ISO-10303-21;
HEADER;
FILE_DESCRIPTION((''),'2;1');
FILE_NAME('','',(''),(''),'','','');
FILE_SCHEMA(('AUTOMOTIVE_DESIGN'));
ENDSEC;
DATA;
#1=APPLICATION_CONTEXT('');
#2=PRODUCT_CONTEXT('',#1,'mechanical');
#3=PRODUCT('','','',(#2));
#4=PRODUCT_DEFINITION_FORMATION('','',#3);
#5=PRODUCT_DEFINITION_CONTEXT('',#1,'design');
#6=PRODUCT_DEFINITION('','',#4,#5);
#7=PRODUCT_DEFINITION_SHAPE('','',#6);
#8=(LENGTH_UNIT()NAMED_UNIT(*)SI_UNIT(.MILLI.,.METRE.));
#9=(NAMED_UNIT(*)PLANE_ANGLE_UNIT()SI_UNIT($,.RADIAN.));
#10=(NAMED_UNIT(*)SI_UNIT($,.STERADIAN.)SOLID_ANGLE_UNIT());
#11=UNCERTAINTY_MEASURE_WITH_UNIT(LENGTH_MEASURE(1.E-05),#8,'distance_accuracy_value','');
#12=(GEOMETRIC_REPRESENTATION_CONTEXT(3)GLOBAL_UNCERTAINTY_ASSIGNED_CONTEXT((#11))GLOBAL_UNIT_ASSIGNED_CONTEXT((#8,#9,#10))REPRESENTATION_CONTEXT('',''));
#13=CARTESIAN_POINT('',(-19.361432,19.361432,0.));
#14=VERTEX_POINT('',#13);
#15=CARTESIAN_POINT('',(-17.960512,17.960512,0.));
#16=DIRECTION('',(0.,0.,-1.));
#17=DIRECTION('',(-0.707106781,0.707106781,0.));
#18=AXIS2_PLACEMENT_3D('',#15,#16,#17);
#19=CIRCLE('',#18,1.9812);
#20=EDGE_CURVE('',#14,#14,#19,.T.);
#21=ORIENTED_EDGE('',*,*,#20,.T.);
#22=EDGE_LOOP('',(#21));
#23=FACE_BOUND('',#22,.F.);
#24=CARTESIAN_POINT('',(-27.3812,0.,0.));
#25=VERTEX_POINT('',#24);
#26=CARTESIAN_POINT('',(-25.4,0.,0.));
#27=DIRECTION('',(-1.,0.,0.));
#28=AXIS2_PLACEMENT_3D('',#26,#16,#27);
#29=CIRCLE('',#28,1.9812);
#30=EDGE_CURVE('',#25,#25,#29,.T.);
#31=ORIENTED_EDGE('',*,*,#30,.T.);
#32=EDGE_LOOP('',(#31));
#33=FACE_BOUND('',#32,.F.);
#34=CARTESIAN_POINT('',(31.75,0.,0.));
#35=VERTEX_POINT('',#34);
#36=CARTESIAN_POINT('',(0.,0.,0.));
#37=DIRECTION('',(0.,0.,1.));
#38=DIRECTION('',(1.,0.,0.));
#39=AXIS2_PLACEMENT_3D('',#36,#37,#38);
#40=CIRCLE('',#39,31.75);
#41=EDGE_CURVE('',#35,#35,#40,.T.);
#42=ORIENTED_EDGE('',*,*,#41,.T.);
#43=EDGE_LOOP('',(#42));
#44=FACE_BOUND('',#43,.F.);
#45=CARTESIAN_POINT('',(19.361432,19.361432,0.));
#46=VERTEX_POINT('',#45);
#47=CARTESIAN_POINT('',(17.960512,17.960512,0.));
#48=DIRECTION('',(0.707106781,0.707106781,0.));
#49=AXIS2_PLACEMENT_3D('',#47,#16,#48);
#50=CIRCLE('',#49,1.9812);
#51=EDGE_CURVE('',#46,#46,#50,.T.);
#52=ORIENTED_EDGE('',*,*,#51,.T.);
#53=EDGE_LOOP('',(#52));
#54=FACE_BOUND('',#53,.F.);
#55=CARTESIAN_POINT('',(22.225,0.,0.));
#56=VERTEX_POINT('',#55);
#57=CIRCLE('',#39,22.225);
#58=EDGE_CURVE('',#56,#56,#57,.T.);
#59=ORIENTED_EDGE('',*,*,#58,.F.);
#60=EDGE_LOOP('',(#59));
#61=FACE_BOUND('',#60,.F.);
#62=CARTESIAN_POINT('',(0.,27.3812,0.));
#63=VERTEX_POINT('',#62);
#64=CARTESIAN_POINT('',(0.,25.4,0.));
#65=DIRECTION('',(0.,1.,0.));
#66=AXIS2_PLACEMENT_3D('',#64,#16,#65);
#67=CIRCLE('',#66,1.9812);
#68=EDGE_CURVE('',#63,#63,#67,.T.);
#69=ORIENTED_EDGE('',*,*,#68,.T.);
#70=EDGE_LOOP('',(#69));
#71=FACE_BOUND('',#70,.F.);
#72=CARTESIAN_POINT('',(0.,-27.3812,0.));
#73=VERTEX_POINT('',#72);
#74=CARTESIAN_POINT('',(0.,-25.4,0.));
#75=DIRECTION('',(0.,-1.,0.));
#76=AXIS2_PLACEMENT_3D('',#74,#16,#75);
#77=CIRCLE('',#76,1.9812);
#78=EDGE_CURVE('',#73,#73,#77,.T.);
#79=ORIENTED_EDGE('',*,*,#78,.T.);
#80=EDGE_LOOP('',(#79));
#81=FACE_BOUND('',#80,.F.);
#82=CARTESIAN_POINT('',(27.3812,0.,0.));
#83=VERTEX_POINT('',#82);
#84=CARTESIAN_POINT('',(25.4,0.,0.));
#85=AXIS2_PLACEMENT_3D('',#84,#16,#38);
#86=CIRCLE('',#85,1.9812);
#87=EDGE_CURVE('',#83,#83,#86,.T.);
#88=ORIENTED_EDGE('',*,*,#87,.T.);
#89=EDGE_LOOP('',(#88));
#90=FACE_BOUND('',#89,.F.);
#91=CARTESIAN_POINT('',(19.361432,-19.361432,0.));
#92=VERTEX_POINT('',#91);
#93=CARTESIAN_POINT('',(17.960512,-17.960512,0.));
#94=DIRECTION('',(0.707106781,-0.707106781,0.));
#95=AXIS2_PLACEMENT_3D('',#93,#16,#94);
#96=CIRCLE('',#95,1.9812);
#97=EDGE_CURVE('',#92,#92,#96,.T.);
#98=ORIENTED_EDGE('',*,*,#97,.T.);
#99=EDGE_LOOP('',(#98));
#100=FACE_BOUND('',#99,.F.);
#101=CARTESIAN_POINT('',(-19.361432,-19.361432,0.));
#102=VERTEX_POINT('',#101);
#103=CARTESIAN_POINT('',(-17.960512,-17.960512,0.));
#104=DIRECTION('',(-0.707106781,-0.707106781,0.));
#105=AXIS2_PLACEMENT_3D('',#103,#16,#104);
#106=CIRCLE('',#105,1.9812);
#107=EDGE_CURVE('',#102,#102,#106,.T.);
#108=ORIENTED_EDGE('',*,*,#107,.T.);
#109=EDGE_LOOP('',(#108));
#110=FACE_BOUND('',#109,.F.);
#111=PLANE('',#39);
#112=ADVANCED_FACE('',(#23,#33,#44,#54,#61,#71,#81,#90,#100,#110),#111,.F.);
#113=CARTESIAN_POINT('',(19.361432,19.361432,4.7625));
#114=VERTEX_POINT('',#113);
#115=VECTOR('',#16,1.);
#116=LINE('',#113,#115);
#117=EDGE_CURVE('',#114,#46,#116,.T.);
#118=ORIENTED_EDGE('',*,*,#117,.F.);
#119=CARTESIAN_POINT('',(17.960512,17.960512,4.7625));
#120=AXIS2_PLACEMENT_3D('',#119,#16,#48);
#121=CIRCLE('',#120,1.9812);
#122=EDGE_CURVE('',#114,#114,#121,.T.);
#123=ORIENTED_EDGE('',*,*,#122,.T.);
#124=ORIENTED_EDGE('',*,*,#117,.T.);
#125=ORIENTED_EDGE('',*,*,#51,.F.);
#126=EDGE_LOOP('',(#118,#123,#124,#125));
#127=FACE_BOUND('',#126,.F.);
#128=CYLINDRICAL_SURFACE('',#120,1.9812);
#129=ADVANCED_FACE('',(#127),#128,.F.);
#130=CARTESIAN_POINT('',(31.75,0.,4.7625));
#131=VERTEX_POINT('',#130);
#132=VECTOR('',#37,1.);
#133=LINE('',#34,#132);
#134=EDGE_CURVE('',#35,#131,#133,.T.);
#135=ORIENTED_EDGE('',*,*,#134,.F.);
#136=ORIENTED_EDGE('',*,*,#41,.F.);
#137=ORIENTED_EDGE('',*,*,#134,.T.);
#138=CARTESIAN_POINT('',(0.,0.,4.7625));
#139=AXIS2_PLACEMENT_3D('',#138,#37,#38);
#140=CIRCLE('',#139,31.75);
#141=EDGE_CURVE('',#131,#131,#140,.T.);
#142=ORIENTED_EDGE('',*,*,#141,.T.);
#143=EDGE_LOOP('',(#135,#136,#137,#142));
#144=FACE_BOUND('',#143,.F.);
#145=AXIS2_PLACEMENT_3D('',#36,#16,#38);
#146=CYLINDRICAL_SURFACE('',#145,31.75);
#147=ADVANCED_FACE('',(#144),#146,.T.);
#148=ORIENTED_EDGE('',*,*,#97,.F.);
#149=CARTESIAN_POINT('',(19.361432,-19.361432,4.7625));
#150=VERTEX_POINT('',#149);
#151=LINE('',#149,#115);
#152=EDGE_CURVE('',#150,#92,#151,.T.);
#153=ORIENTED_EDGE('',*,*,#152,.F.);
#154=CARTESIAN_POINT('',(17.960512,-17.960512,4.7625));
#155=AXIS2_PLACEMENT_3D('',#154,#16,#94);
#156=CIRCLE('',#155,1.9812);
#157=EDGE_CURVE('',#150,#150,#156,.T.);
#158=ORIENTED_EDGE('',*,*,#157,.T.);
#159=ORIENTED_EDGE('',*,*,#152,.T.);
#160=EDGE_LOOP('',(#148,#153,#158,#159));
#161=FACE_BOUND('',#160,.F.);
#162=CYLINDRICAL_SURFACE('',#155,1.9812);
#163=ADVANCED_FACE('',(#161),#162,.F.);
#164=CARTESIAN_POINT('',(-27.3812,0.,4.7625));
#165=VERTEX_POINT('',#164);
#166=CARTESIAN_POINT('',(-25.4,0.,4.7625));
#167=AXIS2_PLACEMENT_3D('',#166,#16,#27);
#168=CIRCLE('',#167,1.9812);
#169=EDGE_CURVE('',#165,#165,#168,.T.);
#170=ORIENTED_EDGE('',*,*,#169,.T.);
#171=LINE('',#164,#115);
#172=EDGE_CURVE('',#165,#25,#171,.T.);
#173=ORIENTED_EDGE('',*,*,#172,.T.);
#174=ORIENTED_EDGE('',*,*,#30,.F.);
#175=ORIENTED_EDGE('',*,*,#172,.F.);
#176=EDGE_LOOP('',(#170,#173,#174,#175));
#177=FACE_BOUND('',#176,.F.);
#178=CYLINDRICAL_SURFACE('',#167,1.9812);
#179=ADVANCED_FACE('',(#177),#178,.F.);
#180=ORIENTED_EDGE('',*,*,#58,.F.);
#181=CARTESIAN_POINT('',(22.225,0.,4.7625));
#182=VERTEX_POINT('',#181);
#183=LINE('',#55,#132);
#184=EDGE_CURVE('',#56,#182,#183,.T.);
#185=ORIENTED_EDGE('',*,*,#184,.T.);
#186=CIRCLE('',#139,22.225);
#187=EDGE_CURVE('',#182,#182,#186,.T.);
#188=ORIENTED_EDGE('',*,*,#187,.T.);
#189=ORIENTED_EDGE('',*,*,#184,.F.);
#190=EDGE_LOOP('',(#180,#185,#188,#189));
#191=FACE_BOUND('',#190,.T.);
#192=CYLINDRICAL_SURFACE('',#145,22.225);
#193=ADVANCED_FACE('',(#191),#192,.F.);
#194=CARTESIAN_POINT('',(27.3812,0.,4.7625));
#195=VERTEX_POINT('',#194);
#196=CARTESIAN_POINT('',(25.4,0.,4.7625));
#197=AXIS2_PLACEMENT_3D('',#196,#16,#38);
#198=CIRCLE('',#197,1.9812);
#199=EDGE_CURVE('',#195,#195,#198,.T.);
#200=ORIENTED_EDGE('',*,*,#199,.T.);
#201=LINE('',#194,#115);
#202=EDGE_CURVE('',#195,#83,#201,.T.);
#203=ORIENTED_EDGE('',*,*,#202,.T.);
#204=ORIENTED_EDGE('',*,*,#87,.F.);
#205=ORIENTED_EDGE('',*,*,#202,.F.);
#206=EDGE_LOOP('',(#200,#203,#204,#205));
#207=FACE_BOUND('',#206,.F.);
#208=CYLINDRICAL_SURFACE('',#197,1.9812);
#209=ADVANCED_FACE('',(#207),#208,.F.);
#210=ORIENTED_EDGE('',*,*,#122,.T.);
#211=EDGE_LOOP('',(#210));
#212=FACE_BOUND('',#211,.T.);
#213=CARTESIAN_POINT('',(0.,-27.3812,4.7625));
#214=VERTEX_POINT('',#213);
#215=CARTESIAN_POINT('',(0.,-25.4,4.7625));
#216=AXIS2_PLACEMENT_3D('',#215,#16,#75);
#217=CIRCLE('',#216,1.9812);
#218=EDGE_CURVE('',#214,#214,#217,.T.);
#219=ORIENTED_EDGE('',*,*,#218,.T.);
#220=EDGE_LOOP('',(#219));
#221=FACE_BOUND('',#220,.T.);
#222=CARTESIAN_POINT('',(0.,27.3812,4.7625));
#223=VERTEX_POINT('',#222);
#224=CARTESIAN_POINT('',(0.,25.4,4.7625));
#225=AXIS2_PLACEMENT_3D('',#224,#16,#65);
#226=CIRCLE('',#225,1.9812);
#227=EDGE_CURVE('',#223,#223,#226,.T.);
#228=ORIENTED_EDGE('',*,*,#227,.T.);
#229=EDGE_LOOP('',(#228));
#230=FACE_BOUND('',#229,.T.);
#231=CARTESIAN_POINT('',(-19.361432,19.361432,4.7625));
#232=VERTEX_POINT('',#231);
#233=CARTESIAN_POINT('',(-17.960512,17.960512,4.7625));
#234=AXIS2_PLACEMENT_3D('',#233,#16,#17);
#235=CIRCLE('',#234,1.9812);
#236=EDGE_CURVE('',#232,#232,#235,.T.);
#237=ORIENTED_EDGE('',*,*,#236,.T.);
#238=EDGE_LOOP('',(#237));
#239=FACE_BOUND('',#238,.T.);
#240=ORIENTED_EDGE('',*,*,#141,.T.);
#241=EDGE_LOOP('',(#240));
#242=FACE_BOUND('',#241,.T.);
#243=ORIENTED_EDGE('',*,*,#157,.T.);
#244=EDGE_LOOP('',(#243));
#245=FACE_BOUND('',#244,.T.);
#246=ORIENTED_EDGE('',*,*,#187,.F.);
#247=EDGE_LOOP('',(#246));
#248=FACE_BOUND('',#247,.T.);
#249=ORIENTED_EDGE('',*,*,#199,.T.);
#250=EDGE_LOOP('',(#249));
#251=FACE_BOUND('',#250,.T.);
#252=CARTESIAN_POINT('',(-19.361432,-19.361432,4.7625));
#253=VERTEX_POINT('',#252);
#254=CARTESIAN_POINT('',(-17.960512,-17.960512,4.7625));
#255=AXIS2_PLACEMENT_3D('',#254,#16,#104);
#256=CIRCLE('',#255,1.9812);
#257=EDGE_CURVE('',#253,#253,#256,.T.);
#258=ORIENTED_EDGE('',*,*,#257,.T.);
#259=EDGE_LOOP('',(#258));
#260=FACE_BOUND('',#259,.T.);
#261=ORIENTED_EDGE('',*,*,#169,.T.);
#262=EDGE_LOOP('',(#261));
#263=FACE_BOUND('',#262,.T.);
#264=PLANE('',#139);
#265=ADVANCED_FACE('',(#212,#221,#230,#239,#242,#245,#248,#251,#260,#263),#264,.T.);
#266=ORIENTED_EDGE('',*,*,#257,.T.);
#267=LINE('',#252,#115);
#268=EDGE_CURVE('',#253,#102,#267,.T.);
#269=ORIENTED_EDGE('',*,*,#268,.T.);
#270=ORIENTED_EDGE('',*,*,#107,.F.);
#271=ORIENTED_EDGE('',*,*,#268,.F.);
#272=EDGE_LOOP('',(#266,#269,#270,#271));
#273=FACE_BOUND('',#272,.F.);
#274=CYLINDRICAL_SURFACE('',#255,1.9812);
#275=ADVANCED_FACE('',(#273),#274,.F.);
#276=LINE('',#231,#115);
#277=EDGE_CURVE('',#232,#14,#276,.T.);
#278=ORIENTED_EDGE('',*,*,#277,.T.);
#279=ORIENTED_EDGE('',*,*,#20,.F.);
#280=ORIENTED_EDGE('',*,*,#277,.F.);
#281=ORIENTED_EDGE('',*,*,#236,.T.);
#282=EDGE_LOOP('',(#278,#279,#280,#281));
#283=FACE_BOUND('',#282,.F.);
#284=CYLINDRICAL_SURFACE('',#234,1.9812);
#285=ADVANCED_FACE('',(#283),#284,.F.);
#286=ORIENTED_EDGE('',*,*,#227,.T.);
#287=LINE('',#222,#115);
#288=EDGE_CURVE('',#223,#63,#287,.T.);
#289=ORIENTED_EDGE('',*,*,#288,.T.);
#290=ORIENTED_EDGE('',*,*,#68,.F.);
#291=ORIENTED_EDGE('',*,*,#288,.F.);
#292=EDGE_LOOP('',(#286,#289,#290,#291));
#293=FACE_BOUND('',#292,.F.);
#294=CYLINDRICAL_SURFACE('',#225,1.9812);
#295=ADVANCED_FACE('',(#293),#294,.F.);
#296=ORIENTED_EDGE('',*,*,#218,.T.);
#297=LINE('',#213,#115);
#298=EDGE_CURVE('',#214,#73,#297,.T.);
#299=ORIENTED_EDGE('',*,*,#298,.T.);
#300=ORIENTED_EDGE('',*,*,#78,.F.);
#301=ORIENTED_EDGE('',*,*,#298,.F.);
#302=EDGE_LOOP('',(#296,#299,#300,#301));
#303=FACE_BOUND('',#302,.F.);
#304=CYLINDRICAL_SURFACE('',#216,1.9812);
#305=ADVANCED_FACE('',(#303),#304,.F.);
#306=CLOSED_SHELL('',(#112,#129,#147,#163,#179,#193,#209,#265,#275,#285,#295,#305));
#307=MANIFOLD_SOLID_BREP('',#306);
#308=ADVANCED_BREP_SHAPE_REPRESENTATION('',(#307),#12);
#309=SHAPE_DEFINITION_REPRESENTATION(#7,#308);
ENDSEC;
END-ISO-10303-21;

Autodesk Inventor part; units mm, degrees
ref_plane "YZ Plane" through (0, 0, 0) normal (1, 0, 0) x (0, 1, 0)
ref_plane "XZ Plane" through (0, 0, 0) normal (0, 1, 0) x (-1, 0, 0)
ref_plane "XY Plane" through (0, 0, 0) normal (0, 0, 1) x (1, 0, 0)
sketch "Sketch2" plane through (0, 0, 0) normal (0, 0, 1) x (1, 0, 0)
  circle A0 centre (0, 0) radius 22.225
  circle A1 centre (0, 0) radius 31.75
  dimension "d0" = 44.45
  dimension "d1" = 9.525
extrude "Extrusion1" add sketch "Sketch2" along normal blind 4.7625
sketch "Sketch3" plane through (0, 0, 4.7625) normal (0, 0, 1) x (1, 0, 0)
  line L0 (0, 0) -> (0, -25.4) construction
  dimension "d4" = 25.4
hole "Hole1" at (0, -25.4, 4.7625) direction (0, 0, -1) diameter 3.9624 end through all thread size "10-32 UNF" class "2B" standard "ANSI Unified Screw Threads"
pattern_circular "Circular Pattern1" count 8 over 360 about axis through (0, 0, -10) along (0, 0, 1) of "Hole1"
properties part number "HUB,GEAR,ARM" material "Aluminum 7075"
